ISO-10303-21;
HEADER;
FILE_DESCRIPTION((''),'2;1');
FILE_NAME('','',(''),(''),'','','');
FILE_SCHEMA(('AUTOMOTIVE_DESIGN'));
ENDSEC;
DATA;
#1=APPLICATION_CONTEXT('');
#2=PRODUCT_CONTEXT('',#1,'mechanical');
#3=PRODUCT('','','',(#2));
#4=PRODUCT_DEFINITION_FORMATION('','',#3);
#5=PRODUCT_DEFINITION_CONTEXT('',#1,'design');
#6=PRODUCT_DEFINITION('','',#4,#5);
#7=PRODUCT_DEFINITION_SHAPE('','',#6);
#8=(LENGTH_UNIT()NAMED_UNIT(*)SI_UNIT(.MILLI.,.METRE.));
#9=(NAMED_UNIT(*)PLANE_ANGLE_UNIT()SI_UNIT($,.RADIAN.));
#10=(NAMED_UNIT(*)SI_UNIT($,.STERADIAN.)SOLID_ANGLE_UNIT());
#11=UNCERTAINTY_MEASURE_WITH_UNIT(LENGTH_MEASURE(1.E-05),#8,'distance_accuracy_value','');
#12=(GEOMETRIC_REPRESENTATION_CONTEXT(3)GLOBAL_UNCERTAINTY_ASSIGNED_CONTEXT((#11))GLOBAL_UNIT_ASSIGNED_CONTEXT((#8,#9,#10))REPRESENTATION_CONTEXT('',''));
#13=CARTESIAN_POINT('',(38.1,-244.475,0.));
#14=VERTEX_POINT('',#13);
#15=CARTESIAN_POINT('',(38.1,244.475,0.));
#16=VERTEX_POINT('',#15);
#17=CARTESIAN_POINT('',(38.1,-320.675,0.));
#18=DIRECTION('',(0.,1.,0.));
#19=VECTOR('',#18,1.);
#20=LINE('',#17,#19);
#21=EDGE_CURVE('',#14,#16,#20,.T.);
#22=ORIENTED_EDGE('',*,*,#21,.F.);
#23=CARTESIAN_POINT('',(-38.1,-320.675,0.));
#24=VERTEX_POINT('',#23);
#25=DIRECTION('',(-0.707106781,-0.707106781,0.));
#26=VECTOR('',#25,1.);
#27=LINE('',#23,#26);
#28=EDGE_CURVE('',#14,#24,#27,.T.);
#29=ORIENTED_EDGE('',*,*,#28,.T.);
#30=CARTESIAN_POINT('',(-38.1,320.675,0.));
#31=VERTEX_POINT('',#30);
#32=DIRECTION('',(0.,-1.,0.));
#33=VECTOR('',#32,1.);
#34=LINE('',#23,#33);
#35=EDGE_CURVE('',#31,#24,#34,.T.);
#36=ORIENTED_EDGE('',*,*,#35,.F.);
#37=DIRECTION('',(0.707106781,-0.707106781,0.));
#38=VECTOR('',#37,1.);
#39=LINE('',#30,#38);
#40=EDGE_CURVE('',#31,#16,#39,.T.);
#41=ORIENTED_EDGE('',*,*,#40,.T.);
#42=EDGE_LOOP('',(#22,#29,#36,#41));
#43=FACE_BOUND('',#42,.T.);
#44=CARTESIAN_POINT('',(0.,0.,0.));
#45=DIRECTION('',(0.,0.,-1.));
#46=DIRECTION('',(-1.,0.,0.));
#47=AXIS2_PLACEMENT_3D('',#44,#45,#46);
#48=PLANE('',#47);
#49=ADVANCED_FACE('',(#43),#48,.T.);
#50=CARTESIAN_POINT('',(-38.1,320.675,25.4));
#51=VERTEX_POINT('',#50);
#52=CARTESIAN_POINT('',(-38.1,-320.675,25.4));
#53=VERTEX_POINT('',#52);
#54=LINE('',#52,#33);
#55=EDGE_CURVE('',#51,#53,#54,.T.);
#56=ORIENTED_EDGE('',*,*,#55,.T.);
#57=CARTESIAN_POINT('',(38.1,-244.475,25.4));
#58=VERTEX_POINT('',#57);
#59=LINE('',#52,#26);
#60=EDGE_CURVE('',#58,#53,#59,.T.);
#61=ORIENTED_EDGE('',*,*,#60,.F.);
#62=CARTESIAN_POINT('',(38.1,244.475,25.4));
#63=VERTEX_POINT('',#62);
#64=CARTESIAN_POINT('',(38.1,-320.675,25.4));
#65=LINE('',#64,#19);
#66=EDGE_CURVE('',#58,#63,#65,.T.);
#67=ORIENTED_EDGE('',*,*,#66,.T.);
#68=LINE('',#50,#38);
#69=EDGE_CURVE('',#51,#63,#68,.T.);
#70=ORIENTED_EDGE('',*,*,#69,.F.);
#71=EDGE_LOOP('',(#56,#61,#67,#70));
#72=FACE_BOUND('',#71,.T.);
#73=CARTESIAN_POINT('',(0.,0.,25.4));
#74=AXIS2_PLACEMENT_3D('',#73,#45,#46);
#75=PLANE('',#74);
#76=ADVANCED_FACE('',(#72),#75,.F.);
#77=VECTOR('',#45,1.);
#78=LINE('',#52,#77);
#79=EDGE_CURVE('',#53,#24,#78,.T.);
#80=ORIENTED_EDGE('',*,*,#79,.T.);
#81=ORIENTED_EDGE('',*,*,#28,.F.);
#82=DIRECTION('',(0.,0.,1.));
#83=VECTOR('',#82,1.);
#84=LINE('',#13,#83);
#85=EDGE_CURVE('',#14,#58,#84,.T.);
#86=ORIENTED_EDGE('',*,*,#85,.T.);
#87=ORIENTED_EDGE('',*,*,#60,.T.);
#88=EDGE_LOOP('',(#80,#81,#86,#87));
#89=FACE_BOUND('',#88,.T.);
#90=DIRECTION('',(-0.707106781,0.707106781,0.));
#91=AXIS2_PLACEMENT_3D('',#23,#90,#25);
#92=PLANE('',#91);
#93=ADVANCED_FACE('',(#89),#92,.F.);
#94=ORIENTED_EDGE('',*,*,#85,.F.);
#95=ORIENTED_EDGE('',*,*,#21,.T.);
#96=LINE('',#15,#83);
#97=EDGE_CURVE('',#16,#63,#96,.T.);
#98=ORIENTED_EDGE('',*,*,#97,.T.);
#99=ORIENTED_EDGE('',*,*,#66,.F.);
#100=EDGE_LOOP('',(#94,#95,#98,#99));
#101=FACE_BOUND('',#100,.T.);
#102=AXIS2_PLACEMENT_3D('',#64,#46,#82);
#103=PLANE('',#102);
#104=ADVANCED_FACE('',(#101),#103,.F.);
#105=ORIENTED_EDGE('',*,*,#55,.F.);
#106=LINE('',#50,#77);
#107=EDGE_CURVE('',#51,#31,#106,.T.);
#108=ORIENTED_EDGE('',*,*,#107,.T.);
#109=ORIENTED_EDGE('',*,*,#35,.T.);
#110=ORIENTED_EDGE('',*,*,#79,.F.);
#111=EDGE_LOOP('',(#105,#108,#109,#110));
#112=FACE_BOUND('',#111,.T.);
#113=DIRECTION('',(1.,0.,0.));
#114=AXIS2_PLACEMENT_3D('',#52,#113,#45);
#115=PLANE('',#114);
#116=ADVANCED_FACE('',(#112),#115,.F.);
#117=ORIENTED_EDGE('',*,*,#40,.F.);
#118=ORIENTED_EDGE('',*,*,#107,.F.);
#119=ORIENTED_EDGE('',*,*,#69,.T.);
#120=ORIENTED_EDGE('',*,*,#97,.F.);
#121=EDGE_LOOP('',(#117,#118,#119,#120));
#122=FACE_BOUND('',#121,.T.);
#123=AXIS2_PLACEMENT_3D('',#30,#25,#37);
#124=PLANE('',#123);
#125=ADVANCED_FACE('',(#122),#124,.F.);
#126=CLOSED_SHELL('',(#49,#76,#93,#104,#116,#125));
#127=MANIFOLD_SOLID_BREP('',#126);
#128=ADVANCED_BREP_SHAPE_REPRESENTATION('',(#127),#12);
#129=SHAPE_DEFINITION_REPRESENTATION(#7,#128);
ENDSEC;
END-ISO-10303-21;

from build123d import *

# Parameters (mm, degrees)
SKETCH1_W           = 76.2
SKETCH1_H           = 641.35
BOSS_EXTRUDE1_DEPTH = 25.4
CUT_EXTRUDE1_DEPTH  = 25.4
CUT_EXTRUDE2_DEPTH  = 25.4


with BuildPart() as part:
    # Sketch1 → Boss-Extrude1 (new body)
    with BuildSketch(Plane.XY):
        Rectangle(SKETCH1_W, SKETCH1_H)
    extrude(amount=BOSS_EXTRUDE1_DEPTH)

    # Sketch2 → Cut-Extrude1 (cut)
    with BuildSketch(Plane.XY.offset(25.4)):
        Polygon((-38.1, -320.675), (38.1, -244.475), (38.1, -320.675), align=None)
    extrude(amount=-CUT_EXTRUDE1_DEPTH, mode=Mode.SUBTRACT)

    # Sketch3 → Cut-Extrude2 (cut)
    with BuildSketch(Plane.XY.offset(25.4)):
        Polygon((-38.1, 320.675), (38.1, 244.475), (38.1, 320.675), align=None)
    extrude(amount=-CUT_EXTRUDE2_DEPTH, mode=Mode.SUBTRACT)


solid = part.part
